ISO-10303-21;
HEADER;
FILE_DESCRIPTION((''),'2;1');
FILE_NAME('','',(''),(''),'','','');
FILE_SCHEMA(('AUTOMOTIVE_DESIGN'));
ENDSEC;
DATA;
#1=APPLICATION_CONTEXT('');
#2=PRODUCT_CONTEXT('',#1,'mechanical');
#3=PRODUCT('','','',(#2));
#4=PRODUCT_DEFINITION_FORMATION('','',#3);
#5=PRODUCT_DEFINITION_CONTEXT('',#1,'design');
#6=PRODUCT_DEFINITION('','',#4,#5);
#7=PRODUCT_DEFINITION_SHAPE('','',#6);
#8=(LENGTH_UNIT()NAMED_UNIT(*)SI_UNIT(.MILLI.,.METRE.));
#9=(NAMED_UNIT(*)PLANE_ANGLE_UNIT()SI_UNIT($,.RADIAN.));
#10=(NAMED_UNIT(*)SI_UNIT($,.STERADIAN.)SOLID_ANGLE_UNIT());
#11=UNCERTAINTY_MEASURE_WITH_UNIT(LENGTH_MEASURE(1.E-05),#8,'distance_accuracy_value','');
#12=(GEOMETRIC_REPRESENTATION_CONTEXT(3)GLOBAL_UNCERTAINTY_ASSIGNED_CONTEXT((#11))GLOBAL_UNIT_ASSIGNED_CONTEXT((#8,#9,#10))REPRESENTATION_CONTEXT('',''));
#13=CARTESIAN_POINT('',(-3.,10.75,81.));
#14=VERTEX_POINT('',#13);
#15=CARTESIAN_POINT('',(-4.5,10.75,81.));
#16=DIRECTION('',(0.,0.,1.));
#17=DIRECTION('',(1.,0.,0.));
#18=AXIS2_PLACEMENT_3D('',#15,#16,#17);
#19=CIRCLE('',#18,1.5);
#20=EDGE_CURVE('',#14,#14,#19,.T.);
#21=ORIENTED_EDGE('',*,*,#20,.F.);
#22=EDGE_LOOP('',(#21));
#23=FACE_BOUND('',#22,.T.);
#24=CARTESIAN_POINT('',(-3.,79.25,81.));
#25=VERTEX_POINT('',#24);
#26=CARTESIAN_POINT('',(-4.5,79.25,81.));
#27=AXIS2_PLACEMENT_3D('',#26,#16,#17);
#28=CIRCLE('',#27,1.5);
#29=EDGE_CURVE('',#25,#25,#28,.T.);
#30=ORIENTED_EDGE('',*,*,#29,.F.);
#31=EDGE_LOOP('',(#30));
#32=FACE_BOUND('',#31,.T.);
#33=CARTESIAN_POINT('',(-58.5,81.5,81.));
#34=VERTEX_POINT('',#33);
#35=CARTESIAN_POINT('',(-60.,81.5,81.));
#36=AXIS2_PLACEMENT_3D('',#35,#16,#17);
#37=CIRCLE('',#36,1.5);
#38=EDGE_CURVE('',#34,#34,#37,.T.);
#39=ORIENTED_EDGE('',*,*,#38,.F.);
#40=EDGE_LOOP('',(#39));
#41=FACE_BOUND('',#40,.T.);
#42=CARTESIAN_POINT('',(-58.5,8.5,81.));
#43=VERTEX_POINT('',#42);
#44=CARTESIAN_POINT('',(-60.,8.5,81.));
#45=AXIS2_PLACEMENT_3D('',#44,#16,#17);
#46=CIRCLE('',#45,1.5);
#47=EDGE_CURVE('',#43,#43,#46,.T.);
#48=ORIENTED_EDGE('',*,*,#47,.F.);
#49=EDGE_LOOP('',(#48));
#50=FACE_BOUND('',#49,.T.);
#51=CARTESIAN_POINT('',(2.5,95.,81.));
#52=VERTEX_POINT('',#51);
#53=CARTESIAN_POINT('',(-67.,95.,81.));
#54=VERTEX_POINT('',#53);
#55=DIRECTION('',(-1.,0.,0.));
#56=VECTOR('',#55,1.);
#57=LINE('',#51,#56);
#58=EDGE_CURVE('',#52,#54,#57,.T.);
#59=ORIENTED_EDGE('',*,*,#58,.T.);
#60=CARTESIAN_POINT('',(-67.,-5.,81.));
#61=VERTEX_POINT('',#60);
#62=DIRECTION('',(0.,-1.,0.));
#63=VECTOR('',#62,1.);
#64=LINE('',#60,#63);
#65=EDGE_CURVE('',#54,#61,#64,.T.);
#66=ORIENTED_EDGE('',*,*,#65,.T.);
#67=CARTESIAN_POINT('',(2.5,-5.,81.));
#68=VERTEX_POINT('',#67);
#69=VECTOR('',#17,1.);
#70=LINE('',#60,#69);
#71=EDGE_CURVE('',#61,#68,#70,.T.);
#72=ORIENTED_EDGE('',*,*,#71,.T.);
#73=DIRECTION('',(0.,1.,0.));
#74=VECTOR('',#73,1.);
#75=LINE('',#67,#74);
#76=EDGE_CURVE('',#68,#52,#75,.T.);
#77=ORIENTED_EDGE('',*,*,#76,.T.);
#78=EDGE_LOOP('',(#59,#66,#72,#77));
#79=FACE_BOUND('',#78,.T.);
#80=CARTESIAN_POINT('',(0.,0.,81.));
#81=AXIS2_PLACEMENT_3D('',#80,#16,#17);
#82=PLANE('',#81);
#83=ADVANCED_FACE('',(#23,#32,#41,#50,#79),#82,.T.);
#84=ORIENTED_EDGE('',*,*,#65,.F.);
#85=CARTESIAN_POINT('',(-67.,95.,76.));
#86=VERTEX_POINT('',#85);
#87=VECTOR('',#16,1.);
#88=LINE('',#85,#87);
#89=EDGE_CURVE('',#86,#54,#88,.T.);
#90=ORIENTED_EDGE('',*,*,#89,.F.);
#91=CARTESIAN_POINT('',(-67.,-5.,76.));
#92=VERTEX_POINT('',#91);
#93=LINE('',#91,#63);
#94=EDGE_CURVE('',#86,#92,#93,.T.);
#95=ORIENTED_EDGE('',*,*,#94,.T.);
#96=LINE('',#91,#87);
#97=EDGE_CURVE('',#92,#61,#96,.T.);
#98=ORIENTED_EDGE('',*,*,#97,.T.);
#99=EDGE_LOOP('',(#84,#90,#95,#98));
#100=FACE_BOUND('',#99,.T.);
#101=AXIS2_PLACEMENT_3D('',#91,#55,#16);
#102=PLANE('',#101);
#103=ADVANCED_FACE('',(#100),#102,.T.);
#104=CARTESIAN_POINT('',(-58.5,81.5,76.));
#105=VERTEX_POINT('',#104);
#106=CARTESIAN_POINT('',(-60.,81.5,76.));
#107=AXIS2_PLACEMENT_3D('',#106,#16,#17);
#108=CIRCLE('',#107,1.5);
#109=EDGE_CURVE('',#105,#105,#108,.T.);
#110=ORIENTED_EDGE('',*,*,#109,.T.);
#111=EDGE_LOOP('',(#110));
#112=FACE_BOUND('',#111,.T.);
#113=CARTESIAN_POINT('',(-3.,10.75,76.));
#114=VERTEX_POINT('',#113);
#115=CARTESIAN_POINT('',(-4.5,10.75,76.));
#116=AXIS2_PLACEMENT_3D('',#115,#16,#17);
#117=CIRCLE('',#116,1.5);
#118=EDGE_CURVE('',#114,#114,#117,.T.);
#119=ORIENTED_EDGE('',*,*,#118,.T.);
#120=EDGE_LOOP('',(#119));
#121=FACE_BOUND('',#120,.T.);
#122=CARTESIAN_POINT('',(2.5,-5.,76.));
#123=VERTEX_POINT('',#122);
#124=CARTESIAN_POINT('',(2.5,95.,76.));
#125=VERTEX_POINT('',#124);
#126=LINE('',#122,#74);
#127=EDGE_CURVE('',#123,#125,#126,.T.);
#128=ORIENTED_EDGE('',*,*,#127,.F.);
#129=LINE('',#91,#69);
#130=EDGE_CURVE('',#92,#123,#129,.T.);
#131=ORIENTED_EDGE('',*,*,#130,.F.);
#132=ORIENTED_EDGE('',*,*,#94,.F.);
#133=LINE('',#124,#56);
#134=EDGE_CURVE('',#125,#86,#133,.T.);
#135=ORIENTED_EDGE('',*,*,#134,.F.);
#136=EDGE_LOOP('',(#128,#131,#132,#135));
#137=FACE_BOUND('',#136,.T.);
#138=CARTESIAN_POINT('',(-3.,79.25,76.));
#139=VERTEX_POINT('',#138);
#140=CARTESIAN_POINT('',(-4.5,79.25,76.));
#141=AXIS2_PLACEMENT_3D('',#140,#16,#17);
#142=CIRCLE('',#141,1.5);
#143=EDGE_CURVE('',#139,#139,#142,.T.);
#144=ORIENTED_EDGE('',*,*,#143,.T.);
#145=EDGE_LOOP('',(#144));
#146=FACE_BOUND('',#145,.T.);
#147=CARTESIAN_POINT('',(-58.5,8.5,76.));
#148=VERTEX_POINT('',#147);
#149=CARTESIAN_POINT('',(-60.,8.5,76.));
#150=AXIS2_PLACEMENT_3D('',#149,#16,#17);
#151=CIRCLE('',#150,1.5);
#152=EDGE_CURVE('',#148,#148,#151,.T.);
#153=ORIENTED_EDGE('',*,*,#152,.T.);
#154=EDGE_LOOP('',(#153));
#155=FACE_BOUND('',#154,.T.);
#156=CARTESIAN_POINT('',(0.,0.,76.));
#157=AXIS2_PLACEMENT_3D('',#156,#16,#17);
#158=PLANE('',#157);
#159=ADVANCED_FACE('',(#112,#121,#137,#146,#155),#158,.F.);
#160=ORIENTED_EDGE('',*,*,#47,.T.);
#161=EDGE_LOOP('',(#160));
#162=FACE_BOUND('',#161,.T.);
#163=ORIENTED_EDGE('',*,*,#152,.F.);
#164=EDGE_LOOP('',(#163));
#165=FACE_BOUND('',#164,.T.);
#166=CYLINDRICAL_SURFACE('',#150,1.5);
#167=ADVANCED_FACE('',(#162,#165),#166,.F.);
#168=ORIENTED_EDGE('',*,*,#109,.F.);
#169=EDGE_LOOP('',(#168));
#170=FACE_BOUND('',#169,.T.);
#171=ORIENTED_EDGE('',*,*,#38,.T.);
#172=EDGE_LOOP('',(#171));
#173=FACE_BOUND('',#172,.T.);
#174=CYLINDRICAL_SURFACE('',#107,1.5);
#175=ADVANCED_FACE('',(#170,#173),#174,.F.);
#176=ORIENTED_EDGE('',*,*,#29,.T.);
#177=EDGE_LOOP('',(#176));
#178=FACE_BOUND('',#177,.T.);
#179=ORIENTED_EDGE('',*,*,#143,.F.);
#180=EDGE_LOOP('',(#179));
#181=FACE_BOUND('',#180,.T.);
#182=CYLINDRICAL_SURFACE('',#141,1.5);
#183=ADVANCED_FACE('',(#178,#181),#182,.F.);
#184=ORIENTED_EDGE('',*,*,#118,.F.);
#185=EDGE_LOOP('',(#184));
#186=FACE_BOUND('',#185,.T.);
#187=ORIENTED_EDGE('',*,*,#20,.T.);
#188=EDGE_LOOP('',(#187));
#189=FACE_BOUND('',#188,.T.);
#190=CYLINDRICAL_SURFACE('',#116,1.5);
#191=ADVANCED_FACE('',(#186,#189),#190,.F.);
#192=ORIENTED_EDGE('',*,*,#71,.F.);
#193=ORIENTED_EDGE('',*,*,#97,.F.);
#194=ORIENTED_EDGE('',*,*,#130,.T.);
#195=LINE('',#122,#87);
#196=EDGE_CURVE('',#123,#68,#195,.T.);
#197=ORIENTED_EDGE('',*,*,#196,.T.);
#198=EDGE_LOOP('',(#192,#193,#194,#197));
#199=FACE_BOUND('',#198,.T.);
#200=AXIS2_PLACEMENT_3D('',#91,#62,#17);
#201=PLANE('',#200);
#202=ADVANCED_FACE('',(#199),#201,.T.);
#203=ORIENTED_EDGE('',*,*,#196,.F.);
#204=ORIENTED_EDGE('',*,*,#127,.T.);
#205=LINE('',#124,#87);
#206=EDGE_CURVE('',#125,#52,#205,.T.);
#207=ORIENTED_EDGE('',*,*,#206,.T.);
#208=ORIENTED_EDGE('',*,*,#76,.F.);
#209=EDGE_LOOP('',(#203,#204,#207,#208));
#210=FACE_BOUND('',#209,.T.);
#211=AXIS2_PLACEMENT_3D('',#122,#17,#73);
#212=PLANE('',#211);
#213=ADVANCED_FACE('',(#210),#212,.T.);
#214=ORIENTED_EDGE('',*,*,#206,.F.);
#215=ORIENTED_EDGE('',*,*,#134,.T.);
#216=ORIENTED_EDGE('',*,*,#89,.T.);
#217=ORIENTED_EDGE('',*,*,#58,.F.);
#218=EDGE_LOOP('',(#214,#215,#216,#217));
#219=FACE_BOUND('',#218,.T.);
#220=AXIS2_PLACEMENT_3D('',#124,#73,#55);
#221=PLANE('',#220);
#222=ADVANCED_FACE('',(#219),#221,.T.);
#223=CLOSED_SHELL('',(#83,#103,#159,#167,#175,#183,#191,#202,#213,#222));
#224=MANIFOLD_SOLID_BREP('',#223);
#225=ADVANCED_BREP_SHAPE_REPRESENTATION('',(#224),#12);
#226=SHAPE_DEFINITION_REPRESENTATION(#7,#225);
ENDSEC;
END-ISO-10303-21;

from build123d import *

# Parameters (mm, degrees)
SKETCH_1_W      = 69.5
SKETCH_1_H      = 100
SKETCH_1_R      = 1.5
EXTRUDE_1_DEPTH = 5


with BuildPart() as part:
    # Эскиз1 → Бобышка-Вытянуть1 (new body)
    with BuildSketch(Plane.XY.offset(81)):
        with Locations((-32.25, 45)):
            Rectangle(SKETCH_1_W, SKETCH_1_H)
        with Locations((-60, 8.5)):
            Circle(SKETCH_1_R, mode=Mode.SUBTRACT)
        with Locations((-60, 81.5)):
            Circle(SKETCH_1_R, mode=Mode.SUBTRACT)
        with Locations((-4.5, 79.25)):
            Circle(SKETCH_1_R, mode=Mode.SUBTRACT)
        with Locations((-4.5, 10.75)):
            Circle(SKETCH_1_R, mode=Mode.SUBTRACT)
    extrude(amount=-EXTRUDE_1_DEPTH)


solid = part.part
